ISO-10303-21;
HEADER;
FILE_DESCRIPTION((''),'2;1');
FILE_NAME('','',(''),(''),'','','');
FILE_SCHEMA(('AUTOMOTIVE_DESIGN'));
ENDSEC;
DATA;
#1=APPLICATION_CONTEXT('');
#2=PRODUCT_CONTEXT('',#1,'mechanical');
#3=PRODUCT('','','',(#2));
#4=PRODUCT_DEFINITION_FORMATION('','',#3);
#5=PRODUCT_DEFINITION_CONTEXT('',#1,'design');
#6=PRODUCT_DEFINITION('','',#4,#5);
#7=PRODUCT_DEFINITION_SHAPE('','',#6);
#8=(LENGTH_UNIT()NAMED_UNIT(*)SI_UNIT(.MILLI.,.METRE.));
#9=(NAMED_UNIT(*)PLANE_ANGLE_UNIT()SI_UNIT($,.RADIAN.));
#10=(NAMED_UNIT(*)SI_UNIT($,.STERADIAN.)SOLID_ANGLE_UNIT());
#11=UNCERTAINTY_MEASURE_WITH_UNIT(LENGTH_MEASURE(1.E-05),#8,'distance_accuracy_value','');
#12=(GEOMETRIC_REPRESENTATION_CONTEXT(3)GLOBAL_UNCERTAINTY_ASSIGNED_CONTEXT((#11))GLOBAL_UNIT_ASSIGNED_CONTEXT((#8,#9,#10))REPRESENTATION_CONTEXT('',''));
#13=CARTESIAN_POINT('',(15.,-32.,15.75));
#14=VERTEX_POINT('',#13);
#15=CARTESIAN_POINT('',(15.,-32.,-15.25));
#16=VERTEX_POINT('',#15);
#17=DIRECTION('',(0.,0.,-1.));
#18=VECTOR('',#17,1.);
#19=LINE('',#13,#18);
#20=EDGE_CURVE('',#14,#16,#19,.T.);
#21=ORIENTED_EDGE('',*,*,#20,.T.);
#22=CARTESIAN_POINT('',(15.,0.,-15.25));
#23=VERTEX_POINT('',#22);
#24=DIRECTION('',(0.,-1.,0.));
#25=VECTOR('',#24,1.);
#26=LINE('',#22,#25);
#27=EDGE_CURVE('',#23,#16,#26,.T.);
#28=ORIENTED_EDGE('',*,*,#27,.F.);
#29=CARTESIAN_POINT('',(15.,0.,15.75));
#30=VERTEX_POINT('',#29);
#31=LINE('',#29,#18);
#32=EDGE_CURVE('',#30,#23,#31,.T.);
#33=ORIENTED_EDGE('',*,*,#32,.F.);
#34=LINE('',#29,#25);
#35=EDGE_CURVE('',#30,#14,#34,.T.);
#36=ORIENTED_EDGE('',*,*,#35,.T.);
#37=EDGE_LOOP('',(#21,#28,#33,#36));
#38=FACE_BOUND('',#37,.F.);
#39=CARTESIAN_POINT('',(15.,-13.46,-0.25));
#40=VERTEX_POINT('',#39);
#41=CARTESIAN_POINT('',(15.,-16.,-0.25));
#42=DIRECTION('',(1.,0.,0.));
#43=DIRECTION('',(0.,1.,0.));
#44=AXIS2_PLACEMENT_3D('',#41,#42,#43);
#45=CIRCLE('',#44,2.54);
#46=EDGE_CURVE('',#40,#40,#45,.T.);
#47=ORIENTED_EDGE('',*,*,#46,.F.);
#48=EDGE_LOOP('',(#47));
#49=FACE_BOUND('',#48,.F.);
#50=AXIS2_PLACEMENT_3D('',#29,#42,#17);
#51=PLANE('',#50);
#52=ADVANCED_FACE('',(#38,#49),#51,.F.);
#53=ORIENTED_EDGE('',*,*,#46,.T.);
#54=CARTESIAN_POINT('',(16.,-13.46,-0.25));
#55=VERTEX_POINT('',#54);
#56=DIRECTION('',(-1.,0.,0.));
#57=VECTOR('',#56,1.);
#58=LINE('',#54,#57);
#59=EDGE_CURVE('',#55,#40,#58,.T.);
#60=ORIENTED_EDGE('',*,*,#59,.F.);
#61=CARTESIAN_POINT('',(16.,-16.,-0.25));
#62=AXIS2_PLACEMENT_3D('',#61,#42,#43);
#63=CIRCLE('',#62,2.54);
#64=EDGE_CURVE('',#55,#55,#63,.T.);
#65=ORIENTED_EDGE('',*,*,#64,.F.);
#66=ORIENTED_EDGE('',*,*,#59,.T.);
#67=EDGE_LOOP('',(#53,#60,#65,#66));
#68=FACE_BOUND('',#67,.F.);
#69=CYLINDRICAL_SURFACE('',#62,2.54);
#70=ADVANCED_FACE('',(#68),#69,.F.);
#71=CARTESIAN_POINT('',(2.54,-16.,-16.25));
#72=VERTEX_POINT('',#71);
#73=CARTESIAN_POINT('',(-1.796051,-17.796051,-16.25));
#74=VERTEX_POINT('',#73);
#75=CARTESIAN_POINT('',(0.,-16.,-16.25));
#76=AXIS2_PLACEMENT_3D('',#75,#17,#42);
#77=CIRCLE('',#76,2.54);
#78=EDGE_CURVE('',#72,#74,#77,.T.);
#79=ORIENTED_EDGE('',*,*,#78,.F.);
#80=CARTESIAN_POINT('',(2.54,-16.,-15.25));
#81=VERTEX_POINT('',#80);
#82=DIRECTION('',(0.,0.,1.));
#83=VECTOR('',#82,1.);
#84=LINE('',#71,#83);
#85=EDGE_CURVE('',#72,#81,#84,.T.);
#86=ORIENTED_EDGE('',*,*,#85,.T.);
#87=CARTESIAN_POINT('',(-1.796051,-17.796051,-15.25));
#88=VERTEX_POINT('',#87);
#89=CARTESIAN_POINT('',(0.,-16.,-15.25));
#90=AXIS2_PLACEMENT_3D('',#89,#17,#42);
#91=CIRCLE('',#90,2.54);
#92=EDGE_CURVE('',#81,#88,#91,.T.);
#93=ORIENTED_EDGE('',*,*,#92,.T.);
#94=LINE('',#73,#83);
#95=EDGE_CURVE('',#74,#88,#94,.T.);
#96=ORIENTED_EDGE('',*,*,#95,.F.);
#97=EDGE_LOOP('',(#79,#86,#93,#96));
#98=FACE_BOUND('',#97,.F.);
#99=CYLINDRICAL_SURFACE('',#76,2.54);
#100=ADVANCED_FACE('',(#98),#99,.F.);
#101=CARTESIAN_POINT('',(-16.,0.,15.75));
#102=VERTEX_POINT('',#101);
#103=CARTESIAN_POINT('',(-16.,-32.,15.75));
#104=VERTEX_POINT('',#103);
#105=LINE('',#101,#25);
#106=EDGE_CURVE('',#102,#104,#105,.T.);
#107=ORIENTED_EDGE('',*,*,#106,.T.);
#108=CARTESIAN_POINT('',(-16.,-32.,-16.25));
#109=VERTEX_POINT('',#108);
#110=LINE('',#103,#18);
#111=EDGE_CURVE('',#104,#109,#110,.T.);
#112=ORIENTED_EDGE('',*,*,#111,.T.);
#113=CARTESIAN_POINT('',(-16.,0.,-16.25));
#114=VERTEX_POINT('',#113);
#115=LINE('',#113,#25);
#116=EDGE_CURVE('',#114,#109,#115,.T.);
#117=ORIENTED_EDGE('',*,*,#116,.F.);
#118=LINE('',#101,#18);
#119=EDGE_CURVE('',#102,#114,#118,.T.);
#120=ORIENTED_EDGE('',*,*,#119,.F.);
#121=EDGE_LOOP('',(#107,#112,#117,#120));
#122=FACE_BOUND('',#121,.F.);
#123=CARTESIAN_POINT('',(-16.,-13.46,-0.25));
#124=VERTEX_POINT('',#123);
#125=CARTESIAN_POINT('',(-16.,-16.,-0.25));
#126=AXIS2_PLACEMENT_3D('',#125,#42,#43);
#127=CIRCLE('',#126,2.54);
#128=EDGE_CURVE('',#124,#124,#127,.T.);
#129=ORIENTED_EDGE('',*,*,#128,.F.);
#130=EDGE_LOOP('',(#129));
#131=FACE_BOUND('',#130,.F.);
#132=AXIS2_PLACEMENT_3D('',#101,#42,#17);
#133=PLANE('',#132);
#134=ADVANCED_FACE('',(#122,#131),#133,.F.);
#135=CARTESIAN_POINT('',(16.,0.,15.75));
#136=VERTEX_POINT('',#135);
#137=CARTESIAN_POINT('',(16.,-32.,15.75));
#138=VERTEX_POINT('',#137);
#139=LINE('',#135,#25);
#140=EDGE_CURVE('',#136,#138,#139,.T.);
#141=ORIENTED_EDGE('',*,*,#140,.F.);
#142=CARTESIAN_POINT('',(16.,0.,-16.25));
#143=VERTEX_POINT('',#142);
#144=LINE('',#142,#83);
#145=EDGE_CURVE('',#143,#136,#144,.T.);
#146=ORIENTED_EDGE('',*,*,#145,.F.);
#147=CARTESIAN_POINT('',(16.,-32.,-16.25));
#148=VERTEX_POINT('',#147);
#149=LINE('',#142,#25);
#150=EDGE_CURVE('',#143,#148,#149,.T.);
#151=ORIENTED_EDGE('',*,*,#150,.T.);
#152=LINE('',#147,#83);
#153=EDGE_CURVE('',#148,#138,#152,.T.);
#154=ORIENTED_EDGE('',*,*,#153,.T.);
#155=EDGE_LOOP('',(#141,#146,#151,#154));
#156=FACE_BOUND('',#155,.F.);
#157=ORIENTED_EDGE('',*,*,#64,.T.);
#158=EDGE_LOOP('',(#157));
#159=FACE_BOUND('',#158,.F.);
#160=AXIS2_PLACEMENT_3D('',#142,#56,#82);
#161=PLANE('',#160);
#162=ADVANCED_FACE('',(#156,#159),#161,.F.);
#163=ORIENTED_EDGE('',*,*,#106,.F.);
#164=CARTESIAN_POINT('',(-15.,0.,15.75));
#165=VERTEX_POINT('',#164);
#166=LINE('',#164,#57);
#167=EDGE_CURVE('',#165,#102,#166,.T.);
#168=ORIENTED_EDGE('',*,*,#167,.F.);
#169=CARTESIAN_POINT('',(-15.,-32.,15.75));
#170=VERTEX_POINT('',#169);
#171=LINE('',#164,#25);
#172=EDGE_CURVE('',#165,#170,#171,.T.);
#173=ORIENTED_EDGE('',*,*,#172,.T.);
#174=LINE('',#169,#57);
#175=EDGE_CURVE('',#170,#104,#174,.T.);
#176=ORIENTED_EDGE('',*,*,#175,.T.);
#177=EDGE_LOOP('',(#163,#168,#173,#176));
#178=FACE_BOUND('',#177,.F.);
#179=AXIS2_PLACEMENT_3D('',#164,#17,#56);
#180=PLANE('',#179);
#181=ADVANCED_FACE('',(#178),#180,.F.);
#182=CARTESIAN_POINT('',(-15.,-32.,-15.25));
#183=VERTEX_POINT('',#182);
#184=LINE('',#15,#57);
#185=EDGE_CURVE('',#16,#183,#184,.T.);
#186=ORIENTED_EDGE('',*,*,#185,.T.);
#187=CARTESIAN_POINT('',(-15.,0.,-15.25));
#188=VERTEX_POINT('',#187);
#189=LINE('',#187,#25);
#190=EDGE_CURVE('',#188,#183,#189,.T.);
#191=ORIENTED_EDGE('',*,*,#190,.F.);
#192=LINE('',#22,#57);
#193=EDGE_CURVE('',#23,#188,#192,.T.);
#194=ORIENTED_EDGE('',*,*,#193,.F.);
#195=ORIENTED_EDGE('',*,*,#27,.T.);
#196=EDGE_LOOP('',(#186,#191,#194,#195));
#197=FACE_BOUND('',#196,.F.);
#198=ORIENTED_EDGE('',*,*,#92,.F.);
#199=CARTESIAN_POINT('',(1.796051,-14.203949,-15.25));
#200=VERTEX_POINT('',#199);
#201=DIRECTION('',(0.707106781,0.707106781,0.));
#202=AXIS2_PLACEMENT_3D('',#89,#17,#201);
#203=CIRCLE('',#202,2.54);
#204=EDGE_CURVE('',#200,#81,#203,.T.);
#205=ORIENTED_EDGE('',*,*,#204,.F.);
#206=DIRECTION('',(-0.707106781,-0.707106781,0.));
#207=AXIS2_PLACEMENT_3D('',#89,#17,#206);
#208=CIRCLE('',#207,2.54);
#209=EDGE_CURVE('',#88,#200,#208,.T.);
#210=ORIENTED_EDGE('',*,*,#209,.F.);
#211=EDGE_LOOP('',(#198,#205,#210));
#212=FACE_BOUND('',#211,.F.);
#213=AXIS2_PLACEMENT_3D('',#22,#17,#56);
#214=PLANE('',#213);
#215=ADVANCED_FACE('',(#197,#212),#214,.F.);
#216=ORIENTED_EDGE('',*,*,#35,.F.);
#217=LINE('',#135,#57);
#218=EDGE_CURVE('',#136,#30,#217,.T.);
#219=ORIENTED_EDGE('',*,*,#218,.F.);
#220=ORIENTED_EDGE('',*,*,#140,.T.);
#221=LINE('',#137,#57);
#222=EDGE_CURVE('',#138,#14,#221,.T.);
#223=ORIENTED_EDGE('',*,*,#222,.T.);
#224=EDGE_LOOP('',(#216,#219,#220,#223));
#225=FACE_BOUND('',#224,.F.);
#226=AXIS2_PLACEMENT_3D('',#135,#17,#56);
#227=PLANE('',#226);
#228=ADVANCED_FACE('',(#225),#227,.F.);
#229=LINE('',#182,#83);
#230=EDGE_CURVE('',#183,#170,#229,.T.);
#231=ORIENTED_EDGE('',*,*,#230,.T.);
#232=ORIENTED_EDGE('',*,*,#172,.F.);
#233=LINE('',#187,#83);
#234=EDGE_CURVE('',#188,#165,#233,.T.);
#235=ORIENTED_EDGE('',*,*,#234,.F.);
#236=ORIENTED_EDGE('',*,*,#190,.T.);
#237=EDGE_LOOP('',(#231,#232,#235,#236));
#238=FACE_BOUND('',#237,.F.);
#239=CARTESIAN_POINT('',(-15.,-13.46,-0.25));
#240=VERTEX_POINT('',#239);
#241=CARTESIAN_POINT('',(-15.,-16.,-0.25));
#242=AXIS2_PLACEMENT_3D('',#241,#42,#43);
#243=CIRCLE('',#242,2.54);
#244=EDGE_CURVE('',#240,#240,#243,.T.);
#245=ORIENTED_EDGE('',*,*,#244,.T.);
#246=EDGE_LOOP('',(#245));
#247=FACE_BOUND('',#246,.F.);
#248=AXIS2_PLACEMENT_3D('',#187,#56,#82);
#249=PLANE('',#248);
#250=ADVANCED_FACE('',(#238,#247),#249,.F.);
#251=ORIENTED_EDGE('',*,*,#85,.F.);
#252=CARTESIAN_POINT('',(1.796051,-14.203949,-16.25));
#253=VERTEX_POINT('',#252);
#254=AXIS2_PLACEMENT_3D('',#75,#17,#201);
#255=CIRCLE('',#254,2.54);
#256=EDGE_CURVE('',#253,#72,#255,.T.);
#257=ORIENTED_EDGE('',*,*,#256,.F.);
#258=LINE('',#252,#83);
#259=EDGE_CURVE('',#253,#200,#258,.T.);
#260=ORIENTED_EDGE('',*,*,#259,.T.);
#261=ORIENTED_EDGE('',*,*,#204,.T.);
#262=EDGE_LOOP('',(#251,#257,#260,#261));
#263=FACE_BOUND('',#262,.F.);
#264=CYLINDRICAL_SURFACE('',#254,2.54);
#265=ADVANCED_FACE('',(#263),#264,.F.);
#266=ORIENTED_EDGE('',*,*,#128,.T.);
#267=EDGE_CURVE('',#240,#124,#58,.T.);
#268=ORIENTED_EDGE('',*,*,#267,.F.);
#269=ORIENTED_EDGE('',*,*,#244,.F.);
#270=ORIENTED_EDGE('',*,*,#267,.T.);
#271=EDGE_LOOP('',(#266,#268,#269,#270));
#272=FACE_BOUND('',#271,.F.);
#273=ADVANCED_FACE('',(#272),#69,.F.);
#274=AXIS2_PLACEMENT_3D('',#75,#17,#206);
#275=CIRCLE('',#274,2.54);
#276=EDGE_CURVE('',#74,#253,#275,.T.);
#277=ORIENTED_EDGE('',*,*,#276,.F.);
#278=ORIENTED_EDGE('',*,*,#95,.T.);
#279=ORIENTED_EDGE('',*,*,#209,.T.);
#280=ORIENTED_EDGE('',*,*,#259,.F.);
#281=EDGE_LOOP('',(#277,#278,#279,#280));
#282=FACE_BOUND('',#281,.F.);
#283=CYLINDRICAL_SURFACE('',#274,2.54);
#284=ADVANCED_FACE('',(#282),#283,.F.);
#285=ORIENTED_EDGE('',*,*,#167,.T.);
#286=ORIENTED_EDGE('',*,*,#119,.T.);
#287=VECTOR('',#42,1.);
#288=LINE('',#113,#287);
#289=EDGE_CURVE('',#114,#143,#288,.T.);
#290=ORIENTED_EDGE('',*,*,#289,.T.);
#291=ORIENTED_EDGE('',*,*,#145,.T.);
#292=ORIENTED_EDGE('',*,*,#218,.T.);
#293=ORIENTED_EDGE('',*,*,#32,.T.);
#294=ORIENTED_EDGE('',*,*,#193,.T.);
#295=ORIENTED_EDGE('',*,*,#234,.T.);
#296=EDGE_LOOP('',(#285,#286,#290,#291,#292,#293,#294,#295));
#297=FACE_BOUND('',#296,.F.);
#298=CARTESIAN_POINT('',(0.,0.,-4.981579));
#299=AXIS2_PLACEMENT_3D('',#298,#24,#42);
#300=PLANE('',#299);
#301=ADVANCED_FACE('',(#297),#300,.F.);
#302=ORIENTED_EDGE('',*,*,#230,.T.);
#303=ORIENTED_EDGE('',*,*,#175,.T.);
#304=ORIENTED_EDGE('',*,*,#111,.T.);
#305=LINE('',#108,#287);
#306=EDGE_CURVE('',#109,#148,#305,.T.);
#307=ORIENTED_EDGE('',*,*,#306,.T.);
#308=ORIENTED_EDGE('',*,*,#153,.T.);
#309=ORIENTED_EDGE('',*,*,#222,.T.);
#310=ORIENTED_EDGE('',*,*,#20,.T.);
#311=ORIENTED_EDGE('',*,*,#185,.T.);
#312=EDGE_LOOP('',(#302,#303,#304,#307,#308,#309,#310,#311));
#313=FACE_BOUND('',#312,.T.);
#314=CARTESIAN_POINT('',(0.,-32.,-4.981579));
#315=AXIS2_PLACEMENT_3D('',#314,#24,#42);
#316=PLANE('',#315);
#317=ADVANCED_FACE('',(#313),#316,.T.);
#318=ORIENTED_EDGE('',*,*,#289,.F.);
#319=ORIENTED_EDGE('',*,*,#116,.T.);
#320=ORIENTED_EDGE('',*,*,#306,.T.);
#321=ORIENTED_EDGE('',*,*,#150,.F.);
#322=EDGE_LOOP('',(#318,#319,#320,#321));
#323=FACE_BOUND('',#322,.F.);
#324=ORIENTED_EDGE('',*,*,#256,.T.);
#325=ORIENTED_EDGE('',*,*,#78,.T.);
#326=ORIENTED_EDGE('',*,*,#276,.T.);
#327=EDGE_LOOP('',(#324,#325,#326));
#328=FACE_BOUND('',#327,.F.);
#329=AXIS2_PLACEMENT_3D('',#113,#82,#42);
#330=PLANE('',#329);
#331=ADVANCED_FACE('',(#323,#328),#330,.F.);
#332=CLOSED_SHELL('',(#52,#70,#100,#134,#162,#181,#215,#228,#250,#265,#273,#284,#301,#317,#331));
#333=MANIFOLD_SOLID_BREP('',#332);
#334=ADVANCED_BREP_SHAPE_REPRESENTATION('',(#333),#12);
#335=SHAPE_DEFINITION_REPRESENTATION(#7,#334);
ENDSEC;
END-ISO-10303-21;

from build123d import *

# Parameters (mm, degrees)
F1_DEPTH = 32
F2_R     = 2.54
F3_DEPTH = 228.6
F5_DEPTH = 76.2


with BuildPart() as f1:
    # F0 (on Front) → F1 (new body)
    with BuildSketch(Plane.XZ):
        Polygon((-15, 15.75), (-16, 15.75), (-16, -16.25), (16, -16.25), (16, 15.75), (15, 15.75), (15, -15.25), (-15, -15.25), align=None)
    extrude(amount=F1_DEPTH)

    # F2 (on face) → F3 (cut)
    with BuildSketch(Plane.YZ.offset(16)):
        with Locations((-16, -0.25)):
            Circle(F2_R)
    extrude(amount=-F3_DEPTH, mode=Mode.SUBTRACT)

    # F4 (on face) → F5 (cut)
    with BuildSketch(Plane(origin=(0, 0, -16.25), x_dir=(1, 0, 0), z_dir=(0, 0, -1))):
        with BuildLine():
            Line((1.7960512242, 14.2039487758), (-1.7960512242, 17.7960512242))
            ThreePointArc((-1.7960512242, 17.7960512242), (-1.7960512242, 14.2039487758), (1.7960512242, 14.2039487758))
        make_face()
        with BuildLine():
            ThreePointArc((2.54, 16), (0.9720159182, 18.3466540126), (-1.7960512242, 17.7960512242))
            Line((-1.7960512242, 17.7960512242), (1.7960512242, 14.2039487758))
            ThreePointArc((1.7960512242, 14.2039487758), (2.3466540126, 15.0279840818), (2.54, 16))
        make_face()
    extrude(amount=-F5_DEPTH, mode=Mode.SUBTRACT)


solid = f1.part
